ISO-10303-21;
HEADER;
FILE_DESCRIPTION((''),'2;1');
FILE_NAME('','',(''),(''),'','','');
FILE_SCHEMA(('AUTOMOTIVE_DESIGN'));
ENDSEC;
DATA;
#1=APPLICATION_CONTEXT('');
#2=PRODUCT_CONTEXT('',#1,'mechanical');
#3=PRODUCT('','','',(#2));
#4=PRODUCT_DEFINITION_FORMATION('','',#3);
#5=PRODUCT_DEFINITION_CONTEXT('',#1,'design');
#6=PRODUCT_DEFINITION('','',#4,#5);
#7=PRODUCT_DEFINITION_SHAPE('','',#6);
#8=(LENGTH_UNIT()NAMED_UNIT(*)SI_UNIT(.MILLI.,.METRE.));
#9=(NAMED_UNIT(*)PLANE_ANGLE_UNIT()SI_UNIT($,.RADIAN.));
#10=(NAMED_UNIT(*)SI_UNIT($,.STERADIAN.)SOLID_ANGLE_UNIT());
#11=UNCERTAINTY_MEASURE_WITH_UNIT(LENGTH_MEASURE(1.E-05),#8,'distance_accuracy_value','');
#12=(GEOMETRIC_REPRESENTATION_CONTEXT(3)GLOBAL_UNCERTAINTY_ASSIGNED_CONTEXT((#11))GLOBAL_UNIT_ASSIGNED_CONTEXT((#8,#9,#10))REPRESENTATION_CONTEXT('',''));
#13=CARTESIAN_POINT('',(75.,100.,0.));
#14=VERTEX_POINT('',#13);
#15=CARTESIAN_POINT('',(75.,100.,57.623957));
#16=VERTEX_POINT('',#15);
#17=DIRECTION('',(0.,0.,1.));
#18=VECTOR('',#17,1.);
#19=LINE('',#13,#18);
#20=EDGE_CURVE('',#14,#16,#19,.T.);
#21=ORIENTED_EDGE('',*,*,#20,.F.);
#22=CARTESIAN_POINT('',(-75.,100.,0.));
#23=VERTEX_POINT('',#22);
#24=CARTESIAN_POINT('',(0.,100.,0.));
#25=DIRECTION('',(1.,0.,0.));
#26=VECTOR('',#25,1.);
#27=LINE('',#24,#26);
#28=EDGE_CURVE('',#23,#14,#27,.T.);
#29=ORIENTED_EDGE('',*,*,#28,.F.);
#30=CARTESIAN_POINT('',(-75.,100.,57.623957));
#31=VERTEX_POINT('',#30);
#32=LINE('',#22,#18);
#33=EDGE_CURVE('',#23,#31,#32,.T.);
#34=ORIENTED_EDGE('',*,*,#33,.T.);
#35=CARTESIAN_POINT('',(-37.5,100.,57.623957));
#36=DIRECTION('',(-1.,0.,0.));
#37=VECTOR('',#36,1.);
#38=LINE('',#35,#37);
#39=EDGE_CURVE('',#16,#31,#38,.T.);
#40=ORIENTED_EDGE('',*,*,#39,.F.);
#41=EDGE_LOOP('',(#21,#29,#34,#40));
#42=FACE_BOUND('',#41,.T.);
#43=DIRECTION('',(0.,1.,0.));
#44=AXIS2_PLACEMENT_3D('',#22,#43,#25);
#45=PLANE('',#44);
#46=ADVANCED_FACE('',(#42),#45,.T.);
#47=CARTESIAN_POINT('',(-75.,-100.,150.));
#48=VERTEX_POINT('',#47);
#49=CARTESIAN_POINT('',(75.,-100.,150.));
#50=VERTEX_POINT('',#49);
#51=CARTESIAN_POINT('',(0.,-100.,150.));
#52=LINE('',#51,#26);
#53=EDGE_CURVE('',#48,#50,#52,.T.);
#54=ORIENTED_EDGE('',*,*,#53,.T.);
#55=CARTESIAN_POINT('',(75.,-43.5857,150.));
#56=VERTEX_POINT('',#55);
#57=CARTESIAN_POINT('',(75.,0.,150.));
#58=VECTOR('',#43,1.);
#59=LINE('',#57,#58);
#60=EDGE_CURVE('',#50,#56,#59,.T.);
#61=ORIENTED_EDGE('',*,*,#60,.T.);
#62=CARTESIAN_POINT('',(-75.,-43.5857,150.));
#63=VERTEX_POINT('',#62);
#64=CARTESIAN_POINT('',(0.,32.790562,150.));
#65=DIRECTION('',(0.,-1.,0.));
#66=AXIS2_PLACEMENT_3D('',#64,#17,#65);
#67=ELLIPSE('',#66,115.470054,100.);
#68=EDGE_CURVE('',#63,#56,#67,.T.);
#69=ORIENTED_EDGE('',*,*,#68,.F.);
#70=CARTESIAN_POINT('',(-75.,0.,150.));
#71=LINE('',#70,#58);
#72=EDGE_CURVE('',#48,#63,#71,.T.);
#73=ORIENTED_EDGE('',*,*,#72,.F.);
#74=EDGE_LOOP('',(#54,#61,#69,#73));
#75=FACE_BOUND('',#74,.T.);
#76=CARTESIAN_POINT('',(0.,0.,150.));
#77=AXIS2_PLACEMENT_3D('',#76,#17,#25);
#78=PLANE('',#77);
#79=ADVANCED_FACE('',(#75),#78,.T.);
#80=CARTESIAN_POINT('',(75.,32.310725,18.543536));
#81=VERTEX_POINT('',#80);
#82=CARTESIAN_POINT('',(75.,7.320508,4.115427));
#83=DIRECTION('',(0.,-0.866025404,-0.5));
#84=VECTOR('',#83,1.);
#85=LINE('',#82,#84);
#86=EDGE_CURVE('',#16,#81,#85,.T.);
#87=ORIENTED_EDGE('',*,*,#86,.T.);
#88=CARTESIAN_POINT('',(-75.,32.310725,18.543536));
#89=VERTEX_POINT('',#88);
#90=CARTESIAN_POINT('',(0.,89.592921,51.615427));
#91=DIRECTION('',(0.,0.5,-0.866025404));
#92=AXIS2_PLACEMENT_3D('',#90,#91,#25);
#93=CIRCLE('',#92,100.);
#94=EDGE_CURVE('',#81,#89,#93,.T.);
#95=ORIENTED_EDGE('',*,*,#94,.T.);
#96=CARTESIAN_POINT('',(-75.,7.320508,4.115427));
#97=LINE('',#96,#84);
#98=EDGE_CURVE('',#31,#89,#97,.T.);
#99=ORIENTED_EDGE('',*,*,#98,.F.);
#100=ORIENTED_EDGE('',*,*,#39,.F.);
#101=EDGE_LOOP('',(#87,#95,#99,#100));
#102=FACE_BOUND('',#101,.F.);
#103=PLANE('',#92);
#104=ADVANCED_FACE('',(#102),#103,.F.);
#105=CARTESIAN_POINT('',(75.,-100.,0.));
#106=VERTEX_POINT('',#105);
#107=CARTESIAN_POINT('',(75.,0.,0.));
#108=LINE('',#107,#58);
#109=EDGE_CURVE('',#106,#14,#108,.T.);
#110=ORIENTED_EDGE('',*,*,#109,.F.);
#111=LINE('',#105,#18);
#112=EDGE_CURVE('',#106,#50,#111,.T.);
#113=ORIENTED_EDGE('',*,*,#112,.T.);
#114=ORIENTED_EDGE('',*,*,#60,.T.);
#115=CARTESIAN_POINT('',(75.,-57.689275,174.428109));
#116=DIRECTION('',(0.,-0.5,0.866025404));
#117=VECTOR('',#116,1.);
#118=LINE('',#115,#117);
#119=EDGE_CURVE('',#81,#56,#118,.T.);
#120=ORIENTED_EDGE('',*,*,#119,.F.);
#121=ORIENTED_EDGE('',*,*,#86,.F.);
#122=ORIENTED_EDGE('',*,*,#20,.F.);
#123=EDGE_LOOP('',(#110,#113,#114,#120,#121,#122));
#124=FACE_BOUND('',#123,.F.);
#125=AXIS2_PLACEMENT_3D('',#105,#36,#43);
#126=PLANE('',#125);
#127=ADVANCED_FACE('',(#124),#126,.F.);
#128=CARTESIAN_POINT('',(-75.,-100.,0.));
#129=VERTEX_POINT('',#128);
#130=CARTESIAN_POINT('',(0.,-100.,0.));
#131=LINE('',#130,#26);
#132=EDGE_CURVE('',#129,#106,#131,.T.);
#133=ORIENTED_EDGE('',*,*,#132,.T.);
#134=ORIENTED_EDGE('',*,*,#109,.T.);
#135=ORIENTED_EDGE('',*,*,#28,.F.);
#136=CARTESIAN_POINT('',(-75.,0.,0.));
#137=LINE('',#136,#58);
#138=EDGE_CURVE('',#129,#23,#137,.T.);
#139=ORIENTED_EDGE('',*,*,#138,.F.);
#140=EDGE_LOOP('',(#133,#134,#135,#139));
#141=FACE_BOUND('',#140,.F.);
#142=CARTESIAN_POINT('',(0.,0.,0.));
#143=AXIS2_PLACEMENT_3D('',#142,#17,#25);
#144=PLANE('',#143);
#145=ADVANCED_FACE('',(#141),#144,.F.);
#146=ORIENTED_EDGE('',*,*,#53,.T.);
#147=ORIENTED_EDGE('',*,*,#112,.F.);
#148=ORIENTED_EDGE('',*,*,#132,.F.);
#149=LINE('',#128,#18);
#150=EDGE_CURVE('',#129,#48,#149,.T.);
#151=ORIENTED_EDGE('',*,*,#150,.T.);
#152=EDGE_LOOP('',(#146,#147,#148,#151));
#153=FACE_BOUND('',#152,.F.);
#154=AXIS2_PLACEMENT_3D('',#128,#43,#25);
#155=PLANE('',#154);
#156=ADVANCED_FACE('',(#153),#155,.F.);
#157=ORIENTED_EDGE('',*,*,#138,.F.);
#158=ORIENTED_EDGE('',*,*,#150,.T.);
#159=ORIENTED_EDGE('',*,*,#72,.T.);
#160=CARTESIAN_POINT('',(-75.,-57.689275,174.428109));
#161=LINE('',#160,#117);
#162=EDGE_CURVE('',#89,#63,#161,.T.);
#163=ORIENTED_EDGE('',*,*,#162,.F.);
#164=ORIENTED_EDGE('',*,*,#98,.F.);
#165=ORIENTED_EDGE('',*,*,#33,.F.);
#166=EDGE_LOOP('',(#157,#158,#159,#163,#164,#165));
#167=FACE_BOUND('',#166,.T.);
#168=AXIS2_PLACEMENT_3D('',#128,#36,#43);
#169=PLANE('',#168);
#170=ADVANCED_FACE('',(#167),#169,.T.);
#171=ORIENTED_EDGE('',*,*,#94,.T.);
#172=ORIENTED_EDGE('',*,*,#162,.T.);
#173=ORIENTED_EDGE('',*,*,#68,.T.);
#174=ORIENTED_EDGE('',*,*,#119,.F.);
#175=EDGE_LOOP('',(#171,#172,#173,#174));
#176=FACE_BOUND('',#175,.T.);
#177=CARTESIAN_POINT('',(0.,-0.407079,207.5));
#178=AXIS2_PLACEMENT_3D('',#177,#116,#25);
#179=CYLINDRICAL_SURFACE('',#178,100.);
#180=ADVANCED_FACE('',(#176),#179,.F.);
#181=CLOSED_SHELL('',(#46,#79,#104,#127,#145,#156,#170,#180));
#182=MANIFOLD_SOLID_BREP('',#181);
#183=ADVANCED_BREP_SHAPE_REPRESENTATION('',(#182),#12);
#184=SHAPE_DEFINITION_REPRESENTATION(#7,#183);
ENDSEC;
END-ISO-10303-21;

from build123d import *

# Parameters (mm, degrees)
F0_W     = 150
F0_H     = 200
F1_DEPTH = 150
F4_R     = 100
F5_DEPTH = 180


with BuildPart() as f1:
    # F0 (on Top) → F1 (new body)
    with BuildSketch(Plane.XY):
        Rectangle(F0_W, F0_H)
    extrude(amount=F1_DEPTH)

    # F4 (on face) → F5 (cut)
    with BuildSketch(Plane(origin=(0, -89.9519052838, 155.8012701892), x_dir=(1, 0, 0), z_dir=(0, 0.5, -0.8660254038))):
        with Locations((0, -103.3974596216)):
            Circle(F4_R)
    extrude(amount=F5_DEPTH, mode=Mode.SUBTRACT)


solid = f1.part
